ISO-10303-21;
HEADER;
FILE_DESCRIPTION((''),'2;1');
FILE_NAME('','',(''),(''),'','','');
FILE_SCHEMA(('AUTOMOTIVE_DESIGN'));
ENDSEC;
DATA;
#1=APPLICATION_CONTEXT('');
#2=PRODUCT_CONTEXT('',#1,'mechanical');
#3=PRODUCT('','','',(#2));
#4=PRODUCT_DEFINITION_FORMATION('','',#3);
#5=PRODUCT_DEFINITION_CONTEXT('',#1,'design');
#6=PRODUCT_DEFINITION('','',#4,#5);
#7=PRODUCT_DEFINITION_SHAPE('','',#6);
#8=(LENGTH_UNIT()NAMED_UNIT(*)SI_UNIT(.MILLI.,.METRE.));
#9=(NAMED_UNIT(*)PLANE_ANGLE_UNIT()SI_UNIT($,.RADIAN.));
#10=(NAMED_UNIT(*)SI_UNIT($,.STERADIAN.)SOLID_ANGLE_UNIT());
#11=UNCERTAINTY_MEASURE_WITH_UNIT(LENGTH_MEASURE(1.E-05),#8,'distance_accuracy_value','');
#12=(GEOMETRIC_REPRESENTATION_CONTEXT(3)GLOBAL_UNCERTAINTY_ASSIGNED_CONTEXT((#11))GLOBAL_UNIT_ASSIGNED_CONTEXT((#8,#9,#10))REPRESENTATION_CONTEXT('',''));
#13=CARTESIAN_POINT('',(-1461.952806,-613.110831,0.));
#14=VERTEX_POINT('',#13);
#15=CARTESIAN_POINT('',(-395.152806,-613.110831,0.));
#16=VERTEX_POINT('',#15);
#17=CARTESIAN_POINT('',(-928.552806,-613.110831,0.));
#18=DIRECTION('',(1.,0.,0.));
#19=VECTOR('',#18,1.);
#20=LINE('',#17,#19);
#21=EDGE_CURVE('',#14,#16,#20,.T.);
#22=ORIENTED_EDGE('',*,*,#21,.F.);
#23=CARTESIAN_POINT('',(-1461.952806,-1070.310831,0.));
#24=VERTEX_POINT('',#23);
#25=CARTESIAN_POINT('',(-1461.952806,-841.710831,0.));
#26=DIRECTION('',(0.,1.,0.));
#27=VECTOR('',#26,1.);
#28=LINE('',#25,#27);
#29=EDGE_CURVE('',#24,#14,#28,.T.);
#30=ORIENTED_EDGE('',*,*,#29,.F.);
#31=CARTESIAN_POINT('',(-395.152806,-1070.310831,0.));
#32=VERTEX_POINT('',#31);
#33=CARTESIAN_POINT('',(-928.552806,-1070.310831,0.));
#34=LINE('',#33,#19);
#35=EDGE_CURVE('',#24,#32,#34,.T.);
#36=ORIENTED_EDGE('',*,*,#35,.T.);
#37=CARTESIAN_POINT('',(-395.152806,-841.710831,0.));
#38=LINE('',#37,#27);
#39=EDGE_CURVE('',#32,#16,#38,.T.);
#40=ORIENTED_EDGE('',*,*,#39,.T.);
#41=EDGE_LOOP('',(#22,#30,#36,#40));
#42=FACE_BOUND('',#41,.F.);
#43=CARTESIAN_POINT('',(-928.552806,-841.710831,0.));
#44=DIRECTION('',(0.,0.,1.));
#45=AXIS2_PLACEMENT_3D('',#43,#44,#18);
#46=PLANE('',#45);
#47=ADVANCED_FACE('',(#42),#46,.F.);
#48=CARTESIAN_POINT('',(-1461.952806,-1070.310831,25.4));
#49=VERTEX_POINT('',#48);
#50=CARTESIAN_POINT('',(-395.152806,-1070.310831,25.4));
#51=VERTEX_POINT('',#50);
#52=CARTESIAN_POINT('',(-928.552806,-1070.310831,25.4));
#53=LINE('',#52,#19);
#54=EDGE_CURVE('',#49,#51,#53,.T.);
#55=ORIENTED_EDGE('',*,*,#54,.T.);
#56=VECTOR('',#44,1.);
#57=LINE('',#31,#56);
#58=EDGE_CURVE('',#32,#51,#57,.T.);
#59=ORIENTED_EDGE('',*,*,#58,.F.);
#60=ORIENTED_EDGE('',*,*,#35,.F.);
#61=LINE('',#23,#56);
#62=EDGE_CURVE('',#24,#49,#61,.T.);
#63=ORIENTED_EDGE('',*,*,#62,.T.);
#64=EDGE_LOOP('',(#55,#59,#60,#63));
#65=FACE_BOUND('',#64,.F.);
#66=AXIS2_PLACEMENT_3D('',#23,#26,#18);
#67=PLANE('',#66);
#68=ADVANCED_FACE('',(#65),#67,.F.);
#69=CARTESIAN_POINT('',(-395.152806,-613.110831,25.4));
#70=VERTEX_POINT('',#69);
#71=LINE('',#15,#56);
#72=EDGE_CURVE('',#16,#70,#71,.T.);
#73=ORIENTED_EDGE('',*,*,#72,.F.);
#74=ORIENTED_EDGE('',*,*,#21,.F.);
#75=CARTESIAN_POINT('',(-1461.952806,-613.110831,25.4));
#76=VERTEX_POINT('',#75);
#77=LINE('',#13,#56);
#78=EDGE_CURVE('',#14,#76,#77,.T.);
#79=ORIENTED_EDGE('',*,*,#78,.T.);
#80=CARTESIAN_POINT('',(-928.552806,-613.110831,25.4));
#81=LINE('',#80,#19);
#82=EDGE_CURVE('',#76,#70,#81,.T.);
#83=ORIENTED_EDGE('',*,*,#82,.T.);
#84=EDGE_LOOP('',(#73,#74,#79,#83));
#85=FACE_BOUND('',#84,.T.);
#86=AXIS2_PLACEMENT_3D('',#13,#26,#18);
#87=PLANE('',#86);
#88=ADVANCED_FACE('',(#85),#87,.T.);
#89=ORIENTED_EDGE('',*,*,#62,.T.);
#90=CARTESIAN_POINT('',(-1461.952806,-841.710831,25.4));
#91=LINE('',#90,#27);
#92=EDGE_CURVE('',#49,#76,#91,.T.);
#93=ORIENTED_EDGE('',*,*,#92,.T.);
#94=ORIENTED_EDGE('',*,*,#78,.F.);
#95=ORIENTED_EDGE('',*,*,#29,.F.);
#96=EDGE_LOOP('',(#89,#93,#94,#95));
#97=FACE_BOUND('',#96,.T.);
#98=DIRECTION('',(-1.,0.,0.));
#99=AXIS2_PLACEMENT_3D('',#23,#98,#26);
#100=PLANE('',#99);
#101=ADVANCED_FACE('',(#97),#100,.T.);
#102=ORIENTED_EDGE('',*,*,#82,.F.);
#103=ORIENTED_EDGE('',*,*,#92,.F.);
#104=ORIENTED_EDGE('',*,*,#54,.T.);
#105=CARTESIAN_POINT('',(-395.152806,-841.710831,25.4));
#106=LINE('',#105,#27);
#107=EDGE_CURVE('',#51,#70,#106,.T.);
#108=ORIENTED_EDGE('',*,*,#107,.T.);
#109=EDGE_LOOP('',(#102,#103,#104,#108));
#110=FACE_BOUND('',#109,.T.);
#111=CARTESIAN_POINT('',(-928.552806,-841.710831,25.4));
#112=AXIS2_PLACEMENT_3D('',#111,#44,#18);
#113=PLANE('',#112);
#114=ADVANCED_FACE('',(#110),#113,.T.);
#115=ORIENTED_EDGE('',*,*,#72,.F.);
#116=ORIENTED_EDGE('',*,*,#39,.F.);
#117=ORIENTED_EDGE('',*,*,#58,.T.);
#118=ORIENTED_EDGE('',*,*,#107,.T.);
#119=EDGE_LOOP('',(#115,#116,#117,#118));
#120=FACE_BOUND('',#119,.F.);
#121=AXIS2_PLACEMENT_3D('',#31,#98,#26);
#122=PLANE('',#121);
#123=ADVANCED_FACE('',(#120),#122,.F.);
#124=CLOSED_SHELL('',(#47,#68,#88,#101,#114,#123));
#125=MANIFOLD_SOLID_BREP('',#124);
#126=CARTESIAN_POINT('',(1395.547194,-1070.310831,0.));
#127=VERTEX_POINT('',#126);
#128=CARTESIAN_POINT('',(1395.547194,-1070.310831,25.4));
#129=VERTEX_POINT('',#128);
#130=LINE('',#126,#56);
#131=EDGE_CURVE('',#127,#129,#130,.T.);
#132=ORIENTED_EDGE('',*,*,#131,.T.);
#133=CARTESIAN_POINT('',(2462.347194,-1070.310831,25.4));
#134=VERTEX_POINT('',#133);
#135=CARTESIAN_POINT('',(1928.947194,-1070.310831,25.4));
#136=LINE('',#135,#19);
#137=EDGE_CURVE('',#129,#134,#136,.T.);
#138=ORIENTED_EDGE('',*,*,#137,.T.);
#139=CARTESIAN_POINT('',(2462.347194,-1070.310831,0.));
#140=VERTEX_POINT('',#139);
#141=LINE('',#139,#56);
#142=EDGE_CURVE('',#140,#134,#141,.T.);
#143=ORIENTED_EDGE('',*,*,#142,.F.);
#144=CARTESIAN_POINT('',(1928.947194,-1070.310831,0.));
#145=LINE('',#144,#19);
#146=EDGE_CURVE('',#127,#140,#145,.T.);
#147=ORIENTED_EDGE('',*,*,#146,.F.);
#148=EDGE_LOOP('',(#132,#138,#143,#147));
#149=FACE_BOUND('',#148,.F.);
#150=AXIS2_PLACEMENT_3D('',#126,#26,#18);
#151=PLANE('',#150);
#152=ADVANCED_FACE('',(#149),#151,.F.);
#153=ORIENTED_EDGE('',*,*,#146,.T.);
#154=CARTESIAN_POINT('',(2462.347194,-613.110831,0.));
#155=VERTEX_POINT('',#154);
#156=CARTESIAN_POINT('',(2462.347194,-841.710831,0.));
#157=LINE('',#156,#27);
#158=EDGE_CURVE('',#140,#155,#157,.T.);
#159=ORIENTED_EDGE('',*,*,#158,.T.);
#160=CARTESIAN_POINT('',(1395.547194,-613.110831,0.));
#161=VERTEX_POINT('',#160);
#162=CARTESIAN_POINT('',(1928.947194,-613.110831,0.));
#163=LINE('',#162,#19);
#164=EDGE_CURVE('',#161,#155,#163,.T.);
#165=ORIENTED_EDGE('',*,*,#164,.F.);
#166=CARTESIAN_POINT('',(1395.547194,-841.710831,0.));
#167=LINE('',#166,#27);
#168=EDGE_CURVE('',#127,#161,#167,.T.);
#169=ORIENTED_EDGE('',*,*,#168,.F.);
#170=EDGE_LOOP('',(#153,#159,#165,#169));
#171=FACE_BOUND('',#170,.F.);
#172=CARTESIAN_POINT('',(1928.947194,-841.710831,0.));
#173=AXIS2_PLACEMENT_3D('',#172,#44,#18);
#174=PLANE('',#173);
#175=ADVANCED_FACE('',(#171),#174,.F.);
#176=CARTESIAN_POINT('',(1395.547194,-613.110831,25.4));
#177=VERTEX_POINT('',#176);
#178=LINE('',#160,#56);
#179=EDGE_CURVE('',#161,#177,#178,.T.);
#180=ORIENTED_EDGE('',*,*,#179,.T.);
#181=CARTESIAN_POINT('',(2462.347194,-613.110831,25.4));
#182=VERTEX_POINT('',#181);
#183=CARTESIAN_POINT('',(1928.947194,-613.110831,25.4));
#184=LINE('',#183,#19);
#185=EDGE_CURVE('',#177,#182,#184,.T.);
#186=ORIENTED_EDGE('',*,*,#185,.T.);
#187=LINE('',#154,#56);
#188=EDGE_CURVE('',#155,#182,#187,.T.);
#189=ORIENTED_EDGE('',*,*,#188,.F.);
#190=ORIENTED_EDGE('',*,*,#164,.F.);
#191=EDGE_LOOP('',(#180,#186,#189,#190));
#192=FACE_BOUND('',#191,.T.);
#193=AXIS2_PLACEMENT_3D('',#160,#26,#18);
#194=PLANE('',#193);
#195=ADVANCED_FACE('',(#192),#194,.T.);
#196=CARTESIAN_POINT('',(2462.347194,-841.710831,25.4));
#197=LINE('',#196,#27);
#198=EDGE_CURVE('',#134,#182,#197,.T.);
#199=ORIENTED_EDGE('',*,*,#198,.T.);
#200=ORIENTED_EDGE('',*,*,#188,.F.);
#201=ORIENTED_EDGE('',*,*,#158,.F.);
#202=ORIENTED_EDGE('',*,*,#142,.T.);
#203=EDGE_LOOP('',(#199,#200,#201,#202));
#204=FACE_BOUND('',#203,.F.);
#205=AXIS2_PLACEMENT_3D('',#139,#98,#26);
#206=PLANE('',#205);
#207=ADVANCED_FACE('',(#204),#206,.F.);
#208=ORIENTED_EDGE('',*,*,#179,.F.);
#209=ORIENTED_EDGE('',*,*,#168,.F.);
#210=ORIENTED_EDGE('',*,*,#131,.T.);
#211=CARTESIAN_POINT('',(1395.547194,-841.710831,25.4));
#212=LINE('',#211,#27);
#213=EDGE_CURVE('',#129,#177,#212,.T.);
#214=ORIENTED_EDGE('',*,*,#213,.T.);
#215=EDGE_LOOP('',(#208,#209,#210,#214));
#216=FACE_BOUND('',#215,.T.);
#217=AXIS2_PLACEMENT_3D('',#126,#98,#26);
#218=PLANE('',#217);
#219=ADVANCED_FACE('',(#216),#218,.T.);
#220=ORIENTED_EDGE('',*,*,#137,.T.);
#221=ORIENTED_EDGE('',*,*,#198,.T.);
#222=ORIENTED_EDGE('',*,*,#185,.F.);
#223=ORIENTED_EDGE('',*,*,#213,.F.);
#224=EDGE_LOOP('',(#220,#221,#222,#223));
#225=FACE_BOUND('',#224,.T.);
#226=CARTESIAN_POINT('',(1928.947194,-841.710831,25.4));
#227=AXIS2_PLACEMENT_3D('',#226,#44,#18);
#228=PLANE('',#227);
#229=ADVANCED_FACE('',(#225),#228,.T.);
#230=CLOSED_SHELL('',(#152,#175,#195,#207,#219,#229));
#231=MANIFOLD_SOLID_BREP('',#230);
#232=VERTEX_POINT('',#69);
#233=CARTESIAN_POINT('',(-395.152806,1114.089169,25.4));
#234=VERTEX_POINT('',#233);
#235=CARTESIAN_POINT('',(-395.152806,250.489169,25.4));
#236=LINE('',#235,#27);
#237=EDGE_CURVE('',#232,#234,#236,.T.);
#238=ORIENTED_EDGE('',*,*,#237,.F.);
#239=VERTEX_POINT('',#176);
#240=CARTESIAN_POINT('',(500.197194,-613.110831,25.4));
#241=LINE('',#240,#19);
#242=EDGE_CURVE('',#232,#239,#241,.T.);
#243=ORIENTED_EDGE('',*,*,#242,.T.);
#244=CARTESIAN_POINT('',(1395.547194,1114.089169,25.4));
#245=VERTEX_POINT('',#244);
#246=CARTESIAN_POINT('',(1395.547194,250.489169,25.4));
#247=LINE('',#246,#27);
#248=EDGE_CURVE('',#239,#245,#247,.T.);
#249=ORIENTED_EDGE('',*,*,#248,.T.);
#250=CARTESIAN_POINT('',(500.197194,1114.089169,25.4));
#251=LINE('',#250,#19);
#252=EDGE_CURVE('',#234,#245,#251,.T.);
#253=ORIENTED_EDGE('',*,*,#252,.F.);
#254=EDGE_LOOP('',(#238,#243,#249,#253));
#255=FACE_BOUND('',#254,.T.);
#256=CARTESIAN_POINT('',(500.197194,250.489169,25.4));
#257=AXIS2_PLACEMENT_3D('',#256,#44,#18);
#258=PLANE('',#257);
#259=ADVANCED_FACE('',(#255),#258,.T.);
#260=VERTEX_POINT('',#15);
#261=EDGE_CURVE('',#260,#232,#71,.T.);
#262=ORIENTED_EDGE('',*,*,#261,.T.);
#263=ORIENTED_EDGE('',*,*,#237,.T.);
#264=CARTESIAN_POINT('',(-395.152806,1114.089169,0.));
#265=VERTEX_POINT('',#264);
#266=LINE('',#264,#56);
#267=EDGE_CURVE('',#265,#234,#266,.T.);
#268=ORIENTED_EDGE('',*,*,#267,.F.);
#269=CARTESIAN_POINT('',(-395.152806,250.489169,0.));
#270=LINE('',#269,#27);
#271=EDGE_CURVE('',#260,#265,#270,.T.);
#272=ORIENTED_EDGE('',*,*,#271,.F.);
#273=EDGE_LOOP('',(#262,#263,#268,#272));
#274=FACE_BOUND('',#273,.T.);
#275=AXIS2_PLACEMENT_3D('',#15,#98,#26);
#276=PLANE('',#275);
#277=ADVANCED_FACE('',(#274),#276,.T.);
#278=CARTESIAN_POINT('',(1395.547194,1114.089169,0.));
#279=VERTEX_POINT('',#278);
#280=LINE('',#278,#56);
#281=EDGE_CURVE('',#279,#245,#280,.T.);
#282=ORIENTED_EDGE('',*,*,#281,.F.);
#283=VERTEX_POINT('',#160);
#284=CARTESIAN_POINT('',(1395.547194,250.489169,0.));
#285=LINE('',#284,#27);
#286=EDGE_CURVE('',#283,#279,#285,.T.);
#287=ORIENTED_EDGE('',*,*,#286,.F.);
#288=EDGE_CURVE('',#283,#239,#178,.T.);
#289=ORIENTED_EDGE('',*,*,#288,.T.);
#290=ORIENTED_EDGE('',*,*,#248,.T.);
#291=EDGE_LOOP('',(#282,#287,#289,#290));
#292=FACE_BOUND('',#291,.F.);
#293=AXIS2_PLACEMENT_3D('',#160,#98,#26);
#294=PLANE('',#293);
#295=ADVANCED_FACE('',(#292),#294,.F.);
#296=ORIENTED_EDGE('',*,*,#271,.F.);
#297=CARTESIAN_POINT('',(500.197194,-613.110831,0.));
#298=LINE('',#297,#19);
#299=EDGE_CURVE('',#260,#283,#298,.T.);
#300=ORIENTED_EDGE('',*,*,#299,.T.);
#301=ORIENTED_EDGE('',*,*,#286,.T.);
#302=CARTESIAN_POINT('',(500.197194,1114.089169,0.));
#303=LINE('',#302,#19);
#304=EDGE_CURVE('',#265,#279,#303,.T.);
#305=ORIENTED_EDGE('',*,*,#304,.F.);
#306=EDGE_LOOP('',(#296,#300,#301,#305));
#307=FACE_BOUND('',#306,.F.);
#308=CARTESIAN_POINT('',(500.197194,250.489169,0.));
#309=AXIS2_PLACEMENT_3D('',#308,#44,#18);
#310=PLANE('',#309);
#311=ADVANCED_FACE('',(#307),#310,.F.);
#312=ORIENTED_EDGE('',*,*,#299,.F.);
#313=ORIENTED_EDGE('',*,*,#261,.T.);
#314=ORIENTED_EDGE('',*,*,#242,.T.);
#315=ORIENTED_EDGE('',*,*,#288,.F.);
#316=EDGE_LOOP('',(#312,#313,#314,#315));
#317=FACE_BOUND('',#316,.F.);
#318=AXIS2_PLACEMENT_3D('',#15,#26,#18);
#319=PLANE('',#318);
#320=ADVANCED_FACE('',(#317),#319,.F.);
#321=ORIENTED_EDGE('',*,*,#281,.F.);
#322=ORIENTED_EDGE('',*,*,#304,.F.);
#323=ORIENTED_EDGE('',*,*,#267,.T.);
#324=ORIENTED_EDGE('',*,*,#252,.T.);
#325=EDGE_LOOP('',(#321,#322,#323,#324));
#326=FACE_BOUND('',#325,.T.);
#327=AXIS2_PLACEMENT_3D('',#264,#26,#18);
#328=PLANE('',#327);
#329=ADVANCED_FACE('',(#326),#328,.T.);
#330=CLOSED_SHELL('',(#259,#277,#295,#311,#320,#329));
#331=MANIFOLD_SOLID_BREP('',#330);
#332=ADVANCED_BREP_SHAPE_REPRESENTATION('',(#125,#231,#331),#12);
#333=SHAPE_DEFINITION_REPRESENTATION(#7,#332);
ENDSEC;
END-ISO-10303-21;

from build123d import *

# Parameters (mm, degrees)
F0_W     = 1066.8
F0_H     = 457.2
F0_W_2   = 1790.7
F0_H_2   = 1727.2
F1_DEPTH = 25.4


with BuildPart() as f1:
    # F0 (on Top) → F1 (new body)
    with BuildSketch(Plane.XY):
        with Locations((1928.947194, -841.710831)):
            Rectangle(F0_W, F0_H)
        with Locations((-928.552806, -841.710831)):
            Rectangle(F0_W, F0_H)
        with Locations((500.197194, 250.489169)):
            Rectangle(F0_W_2, F0_H_2)
    extrude(amount=F1_DEPTH)


solid = f1.part
